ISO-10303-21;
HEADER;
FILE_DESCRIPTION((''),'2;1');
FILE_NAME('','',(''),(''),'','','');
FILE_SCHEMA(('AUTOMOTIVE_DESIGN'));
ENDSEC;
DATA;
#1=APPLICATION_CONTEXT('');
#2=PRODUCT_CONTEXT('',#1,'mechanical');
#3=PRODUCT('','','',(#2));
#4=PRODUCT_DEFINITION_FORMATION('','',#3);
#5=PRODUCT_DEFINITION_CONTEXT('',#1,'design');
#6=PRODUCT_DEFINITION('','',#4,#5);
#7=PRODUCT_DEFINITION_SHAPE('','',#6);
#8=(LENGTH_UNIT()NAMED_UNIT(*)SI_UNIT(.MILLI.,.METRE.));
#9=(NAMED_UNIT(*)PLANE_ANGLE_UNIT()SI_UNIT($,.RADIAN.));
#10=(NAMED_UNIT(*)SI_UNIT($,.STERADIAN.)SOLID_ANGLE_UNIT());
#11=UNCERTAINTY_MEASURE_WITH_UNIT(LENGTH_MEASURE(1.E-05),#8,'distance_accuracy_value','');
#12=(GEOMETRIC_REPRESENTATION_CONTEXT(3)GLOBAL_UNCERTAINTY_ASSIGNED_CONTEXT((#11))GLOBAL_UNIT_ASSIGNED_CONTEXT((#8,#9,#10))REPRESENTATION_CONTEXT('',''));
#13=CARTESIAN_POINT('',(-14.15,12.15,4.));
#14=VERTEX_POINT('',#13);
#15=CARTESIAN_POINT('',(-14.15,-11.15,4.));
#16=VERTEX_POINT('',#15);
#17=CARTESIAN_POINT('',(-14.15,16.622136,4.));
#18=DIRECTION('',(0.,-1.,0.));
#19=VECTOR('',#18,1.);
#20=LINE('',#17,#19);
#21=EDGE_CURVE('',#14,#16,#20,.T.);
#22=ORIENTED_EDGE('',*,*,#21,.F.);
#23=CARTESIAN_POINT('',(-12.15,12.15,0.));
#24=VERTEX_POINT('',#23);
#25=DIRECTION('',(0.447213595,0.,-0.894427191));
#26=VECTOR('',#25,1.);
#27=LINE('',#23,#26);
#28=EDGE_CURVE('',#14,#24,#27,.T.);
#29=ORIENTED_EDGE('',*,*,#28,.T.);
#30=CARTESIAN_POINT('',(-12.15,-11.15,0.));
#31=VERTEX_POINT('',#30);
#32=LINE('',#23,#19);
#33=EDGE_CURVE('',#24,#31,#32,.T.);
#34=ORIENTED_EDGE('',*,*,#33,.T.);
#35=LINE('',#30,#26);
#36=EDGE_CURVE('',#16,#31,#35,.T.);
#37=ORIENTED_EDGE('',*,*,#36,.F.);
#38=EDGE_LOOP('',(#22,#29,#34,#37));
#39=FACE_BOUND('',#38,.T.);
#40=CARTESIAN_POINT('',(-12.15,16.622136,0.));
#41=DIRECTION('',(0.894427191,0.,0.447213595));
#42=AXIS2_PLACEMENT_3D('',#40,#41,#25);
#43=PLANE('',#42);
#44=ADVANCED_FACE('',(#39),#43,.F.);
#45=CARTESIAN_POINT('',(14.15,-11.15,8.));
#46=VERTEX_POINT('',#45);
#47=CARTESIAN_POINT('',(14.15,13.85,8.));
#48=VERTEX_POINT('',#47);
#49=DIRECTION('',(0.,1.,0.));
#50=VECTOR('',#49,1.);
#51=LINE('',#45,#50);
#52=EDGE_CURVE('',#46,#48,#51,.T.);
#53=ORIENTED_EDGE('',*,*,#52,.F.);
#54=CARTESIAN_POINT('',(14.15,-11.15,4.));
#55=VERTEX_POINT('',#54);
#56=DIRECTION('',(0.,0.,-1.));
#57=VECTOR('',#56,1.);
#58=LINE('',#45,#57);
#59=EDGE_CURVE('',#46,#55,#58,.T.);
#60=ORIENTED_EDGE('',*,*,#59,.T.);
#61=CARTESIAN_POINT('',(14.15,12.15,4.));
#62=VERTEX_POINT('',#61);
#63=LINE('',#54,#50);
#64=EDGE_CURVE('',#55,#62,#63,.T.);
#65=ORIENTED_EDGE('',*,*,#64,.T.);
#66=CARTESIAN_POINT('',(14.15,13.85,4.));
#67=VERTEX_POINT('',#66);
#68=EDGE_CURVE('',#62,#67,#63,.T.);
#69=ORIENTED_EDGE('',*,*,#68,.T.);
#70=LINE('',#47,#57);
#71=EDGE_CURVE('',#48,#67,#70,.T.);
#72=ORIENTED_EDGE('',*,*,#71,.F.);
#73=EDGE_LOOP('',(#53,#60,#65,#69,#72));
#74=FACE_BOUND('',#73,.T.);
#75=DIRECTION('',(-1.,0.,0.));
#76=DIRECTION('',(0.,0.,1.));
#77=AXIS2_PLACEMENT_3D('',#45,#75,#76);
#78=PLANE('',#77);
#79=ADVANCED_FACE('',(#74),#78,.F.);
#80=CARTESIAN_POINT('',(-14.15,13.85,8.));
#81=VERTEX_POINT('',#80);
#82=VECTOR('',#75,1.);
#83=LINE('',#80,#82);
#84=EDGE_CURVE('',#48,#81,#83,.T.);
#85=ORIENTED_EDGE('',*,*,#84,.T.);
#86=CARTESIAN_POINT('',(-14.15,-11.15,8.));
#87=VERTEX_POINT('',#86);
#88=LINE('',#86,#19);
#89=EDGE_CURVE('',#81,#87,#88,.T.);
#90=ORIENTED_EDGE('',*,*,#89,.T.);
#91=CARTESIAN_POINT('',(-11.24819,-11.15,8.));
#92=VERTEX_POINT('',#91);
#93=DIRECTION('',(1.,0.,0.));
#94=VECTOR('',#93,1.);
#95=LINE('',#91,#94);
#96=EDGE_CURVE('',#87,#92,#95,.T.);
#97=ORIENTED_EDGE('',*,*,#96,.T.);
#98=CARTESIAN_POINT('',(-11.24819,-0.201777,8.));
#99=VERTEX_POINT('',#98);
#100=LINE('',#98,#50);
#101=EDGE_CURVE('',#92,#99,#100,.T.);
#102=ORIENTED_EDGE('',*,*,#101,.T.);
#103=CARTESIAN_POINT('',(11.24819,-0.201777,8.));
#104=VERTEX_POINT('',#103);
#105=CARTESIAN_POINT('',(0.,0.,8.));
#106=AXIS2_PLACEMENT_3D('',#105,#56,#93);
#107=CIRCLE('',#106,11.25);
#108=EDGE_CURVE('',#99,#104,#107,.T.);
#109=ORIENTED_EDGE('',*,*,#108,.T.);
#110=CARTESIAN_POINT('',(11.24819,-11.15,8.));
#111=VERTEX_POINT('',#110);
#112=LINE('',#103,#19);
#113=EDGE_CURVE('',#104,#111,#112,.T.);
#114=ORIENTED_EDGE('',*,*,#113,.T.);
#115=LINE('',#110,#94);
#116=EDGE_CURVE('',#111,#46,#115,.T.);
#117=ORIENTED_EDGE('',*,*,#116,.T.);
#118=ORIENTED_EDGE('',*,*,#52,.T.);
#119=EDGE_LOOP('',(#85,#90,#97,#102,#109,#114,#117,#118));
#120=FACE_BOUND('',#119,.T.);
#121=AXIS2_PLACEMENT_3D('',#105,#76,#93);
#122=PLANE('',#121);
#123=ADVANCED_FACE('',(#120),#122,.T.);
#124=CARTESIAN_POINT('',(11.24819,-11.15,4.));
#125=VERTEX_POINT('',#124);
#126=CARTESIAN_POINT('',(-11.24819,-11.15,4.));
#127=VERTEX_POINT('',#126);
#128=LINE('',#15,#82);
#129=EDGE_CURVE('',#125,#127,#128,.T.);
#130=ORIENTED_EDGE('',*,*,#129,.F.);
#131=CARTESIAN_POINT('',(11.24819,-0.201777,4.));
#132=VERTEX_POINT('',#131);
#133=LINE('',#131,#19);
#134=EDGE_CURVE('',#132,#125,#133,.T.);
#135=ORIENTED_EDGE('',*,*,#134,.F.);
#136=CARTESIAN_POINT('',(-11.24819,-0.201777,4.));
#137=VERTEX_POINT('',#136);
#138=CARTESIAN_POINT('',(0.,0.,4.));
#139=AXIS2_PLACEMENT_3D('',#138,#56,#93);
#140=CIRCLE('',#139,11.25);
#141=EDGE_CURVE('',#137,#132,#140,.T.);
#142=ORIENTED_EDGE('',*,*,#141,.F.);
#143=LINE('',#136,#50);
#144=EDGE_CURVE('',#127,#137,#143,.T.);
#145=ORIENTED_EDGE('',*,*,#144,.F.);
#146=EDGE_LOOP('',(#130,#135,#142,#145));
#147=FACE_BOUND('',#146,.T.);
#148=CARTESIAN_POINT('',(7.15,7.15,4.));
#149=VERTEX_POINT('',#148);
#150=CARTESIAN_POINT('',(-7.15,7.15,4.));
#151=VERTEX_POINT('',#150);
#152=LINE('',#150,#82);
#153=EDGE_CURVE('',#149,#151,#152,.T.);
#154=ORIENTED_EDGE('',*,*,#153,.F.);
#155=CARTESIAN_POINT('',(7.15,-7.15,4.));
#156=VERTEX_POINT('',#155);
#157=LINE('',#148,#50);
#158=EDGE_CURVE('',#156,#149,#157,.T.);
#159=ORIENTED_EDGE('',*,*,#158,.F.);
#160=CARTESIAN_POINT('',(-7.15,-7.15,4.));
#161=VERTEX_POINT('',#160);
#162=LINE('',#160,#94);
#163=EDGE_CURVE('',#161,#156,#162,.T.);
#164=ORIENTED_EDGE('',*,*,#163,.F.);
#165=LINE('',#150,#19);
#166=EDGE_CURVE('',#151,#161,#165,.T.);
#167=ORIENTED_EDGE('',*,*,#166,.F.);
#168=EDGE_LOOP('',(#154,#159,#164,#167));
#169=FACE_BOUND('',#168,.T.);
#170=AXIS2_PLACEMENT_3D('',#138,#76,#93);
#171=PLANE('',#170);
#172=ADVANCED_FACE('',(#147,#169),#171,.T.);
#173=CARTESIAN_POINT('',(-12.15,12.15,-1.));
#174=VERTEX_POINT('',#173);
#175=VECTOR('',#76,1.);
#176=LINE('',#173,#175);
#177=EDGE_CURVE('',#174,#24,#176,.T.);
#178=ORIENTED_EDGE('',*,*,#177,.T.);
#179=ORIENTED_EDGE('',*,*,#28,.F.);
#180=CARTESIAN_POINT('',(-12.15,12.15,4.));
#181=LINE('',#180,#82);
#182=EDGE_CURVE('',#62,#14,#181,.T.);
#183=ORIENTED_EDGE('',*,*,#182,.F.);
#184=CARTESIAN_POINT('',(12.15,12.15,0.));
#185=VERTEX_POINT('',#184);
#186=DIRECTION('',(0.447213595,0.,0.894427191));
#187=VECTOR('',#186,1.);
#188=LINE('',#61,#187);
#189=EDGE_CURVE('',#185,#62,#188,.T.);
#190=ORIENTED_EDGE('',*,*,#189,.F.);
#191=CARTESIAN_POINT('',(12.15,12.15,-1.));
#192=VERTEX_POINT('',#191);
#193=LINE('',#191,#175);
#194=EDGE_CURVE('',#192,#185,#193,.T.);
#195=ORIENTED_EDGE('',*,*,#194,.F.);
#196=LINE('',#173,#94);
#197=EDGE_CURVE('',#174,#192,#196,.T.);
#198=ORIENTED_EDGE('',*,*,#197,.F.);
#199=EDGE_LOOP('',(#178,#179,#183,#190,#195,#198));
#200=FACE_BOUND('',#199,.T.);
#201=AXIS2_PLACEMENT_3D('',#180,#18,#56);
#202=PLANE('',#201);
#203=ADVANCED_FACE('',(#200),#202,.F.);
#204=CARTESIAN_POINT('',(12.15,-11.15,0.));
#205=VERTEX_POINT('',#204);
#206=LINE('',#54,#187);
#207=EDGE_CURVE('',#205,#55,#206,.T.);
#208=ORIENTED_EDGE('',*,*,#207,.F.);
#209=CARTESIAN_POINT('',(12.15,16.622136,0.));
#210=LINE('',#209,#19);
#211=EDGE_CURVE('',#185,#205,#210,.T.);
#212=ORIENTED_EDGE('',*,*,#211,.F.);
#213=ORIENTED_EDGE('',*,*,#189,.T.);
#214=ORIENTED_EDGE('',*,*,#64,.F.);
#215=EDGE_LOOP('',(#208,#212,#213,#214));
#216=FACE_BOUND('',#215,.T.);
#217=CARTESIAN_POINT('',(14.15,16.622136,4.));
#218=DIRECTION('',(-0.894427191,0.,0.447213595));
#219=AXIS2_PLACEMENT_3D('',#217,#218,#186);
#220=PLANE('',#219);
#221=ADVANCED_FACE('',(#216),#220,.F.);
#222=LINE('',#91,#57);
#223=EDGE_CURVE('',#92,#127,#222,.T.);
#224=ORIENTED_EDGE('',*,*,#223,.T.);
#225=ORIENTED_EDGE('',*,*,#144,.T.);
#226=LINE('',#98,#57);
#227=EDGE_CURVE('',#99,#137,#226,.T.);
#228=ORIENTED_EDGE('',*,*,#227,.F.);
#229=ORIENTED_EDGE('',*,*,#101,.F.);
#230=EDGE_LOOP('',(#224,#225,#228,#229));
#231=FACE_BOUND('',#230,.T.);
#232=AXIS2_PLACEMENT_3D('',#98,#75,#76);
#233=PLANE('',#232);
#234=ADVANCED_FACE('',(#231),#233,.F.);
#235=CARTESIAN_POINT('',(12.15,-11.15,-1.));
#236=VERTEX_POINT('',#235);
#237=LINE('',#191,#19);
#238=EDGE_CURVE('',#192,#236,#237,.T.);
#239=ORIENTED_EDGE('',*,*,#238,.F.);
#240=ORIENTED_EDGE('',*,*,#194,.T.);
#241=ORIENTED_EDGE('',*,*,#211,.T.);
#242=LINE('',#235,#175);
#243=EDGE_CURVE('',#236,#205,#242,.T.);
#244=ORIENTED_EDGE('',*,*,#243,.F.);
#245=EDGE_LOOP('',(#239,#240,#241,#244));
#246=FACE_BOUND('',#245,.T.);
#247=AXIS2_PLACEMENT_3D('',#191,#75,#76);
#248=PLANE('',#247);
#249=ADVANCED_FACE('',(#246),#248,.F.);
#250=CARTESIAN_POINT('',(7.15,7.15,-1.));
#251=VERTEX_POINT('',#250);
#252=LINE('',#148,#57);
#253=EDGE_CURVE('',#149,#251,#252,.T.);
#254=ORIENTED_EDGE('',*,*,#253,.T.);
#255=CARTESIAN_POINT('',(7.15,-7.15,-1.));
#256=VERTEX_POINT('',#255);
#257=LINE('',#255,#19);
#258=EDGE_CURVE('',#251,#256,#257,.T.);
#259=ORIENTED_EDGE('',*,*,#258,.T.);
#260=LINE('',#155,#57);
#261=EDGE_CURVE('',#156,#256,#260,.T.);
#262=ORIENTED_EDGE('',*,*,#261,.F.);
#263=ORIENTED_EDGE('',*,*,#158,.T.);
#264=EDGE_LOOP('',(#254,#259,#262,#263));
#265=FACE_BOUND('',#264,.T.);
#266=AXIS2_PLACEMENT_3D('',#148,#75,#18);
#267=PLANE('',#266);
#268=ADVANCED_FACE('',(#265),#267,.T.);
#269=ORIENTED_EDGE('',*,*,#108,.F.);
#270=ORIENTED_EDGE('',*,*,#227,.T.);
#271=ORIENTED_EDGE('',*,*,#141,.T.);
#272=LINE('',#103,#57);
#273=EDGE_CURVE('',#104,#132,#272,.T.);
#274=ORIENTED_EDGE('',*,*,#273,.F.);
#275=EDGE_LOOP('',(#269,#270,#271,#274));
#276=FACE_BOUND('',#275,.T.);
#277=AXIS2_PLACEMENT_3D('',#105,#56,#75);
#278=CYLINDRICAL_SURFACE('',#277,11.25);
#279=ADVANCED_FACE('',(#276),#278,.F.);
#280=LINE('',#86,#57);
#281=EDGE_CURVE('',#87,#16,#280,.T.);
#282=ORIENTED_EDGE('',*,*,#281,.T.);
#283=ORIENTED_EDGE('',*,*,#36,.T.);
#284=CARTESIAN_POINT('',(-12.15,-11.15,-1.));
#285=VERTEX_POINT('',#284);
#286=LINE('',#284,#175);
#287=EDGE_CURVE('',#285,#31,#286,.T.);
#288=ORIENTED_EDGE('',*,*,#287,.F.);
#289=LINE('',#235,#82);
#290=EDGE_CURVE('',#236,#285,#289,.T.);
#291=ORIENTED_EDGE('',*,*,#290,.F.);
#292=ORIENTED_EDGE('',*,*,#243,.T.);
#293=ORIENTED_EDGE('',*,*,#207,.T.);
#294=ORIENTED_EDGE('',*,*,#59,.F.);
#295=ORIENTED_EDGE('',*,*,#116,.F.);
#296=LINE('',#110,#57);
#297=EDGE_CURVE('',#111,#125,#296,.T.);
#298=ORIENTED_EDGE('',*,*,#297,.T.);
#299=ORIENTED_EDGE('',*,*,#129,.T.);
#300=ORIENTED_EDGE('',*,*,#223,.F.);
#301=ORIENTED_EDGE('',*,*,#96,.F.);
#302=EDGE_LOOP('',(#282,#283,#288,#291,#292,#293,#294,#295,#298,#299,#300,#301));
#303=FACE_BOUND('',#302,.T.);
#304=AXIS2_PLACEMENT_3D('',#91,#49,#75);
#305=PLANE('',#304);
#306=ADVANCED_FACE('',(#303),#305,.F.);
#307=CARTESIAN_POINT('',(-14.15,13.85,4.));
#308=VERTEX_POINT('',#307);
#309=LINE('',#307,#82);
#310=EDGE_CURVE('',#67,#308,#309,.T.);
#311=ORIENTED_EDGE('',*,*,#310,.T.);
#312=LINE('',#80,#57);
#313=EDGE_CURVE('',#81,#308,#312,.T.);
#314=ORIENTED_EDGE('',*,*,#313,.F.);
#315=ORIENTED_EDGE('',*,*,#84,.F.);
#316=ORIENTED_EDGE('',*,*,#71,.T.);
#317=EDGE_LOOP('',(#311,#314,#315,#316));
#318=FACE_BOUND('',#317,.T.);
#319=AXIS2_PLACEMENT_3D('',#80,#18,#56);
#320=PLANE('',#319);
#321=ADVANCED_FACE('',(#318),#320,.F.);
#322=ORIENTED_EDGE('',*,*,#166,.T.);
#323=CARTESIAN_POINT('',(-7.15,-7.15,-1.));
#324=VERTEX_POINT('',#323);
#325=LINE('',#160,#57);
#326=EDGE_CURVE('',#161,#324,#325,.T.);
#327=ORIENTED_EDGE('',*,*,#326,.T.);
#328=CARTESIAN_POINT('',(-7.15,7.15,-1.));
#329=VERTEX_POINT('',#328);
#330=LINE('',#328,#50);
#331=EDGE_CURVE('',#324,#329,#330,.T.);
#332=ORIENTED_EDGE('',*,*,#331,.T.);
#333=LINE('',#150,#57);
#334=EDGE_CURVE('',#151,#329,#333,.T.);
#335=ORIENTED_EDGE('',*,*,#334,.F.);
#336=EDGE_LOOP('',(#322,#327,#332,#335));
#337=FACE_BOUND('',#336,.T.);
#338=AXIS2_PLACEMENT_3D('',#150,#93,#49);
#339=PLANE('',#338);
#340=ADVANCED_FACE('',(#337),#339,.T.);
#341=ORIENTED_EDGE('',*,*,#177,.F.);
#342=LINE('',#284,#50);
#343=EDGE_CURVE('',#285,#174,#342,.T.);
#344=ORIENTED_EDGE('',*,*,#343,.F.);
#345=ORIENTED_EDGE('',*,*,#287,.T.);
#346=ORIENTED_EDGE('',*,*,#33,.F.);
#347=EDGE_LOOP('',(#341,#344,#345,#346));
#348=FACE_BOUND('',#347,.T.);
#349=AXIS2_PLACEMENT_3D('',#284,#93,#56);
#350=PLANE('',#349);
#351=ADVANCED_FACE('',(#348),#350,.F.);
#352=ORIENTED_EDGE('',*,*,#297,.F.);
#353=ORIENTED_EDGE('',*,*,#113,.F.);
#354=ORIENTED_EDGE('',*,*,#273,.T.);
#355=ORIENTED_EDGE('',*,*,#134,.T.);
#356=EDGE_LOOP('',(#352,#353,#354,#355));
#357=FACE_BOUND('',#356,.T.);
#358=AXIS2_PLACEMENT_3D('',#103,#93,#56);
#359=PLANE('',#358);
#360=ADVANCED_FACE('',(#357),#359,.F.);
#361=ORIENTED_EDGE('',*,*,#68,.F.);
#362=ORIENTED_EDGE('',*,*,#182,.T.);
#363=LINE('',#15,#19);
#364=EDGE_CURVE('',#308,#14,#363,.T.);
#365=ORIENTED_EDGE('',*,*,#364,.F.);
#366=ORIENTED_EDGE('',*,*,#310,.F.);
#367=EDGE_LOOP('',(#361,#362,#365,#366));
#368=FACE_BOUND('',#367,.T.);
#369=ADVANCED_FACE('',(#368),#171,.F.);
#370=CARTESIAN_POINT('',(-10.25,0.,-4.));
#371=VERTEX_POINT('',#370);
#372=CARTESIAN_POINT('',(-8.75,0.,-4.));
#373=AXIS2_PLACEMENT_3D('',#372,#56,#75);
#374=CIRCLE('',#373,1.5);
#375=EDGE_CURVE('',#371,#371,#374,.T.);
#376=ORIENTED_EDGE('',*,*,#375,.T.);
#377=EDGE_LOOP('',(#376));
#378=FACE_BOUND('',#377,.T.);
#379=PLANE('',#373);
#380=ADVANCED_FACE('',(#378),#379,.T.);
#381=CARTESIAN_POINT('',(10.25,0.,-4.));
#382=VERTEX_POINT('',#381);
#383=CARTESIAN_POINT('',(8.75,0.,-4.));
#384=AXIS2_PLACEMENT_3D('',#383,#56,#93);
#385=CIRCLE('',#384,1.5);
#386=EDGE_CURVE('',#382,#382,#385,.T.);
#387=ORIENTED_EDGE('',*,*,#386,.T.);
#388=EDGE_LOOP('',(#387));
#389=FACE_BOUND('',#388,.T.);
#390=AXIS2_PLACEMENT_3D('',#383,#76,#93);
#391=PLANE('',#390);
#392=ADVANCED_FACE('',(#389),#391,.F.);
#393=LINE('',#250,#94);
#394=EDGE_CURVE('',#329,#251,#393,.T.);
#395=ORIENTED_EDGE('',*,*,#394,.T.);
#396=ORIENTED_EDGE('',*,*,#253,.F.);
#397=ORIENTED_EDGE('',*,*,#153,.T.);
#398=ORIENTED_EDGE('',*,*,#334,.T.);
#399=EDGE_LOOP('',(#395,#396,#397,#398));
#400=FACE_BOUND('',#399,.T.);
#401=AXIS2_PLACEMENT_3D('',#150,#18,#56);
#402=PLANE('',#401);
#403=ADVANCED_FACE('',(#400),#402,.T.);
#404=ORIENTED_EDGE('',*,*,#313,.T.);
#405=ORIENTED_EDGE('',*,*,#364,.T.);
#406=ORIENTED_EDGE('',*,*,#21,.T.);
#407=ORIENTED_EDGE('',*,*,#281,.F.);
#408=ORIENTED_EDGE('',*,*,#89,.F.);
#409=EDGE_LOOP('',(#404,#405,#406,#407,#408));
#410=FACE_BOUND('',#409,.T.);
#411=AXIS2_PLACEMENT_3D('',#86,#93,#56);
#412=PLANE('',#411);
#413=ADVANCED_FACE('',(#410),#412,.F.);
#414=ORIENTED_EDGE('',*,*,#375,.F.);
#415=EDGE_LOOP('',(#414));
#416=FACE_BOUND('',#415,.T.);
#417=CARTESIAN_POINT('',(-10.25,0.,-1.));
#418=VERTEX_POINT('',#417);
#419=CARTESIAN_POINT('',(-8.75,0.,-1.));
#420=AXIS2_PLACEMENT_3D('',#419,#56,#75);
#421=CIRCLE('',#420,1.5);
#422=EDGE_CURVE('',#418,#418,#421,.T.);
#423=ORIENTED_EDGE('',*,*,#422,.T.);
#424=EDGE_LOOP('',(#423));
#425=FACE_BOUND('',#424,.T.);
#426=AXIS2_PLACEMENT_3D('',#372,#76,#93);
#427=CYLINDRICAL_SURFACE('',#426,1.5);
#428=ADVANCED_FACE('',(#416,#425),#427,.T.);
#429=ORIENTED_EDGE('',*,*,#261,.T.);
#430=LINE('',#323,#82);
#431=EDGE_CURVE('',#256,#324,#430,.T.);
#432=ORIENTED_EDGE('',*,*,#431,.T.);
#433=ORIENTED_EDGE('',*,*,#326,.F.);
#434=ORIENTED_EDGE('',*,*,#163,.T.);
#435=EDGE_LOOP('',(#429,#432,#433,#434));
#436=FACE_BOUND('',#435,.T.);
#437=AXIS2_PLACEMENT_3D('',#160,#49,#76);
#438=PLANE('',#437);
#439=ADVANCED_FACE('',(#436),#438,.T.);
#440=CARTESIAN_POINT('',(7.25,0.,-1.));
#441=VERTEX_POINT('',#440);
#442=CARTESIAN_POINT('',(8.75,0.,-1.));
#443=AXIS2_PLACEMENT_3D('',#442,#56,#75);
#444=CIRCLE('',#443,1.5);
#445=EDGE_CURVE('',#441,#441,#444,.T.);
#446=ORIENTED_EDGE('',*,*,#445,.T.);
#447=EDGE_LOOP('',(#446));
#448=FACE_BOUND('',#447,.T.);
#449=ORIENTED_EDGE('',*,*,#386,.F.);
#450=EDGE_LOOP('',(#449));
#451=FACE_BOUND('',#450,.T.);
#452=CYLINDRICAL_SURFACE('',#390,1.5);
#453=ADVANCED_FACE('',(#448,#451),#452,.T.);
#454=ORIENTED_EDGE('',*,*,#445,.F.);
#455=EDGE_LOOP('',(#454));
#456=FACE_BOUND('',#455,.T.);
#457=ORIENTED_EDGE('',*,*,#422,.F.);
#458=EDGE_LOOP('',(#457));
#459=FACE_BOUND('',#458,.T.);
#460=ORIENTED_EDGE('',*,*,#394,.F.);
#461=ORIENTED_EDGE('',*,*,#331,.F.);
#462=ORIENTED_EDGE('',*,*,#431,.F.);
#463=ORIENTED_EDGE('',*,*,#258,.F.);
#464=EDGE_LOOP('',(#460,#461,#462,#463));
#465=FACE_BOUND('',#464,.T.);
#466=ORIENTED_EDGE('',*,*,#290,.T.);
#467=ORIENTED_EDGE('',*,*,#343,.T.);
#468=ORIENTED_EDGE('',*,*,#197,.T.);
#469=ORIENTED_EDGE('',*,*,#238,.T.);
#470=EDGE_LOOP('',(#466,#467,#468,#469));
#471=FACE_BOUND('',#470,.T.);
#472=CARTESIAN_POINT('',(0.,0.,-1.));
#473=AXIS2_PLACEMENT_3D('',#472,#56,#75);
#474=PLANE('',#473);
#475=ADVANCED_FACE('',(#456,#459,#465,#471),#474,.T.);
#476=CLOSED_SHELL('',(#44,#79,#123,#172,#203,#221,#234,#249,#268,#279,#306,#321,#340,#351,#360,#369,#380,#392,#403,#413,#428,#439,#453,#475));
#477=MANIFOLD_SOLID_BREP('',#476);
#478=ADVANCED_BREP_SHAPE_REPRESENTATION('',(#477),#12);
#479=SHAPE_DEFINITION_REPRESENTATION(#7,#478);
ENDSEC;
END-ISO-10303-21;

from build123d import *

# Parameters (mm, degrees)
SKETCH1_W                       = 24.3
SKETCH1_H                       = 24.3
SKETCH1_W_2                     = 14.3
SKETCH1_H_2                     = 14.3
BOSS_EXTRUDE1_DEPTH             = 4
SKETCH3_R                       = 1.5
BOSS_EXTRUDE4_DEPTH             = 4
BOSS_EXTRUDE5_DEPTH             = 4
BOSS_EXTRUDE6_REACH             = 23.355
BOSS_EXTRUDE6_DIRECTION_2_REACH = 23.355
CUT_EXTRUDE1_DEPTH              = 11
SKETCH7_W                       = 24.3
SKETCH7_H                       = 23.3
SKETCH7_W_2                     = 14.3
SKETCH7_H_2                     = 14.3
BOSS_EXTRUDE8_DEPTH             = 1


with BuildPart() as part:
    # Sketch1 → Boss-Extrude1 (new body)
    with BuildSketch(Plane.XY):
        Rectangle(SKETCH1_W, SKETCH1_H)
        Rectangle(SKETCH1_W_2, SKETCH1_H_2, mode=Mode.SUBTRACT)
    extrude(amount=BOSS_EXTRUDE1_DEPTH)

    # Sketch3 → Boss-Extrude4 (add)
    with BuildSketch(Plane(origin=(0, 0, 0), x_dir=(-1, 0, 0), z_dir=(0, 0, -1))):
        with Locations(Location((8.75, 0, 0), (0, 0, 180))):
            Circle(SKETCH3_R)
        with Locations(Location((-8.75, 0, 0), (0, 0, 180))):
            Circle(SKETCH3_R)
    extrude(amount=BOSS_EXTRUDE4_DEPTH)

    # Sketch4 → Boss-Extrude5 (add)
    with BuildSketch(Plane.XY.offset(4)):
        with BuildLine():
            Line((11.248190336, -0.201777492), (11.248190336, -11.15))
            Line((11.248190336, -11.15), (14.15, -11.15))
            Line((14.15, -11.15), (14.15, 13.85))
            Line((14.15, 13.85), (-14.15, 13.85))
            Line((-14.15, 13.85), (-14.15, -11.15))
            Line((-14.15, -11.15), (-11.248190336, -11.15))
            Line((-11.248190336, -11.15), (-11.248190336, -0.201777492))
            ThreePointArc((-11.248190336, -0.201777492), (0, 11.25), (11.248190336, -0.201777492))
        make_face()
    extrude(amount=BOSS_EXTRUDE5_DEPTH)

    # Boss-Extrude6: up to this face of the body (flat: up to its plane)
    boss_extrude6_end = Plane(part.part.faces().sort_by_distance((0, 12.15, 2))[0])
    # Sketch5 → Boss-Extrude6 (add, up to the picked face)
    with BuildSketch(Plane(origin=(0, 0, 0), x_dir=(1, 0, 0), z_dir=(0, 1, 0)), mode=Mode.PRIVATE) as boss_extrude6_sk1:
        Polygon((-12.15, 0), (-14.15, -4), (-12.15, -4), align=None)
    boss_extrude6_tool1 = split(extrude(boss_extrude6_sk1.sketch, amount=BOSS_EXTRUDE6_REACH, mode=Mode.PRIVATE), bisect_by=boss_extrude6_end, keep=Keep.BOTH, mode=Mode.PRIVATE)
    # Sketch5 → Boss-Extrude6 (add, up to the picked face)
    with BuildSketch(Plane(origin=(0, 0, 0), x_dir=(1, 0, 0), z_dir=(0, 1, 0)), mode=Mode.PRIVATE) as boss_extrude6_sk2:
        Polygon((12.15, 0), (12.15, -4), (14.15, -4), align=None)
    boss_extrude6_tool2 = split(extrude(boss_extrude6_sk2.sketch, amount=BOSS_EXTRUDE6_REACH, mode=Mode.PRIVATE), bisect_by=boss_extrude6_end, keep=Keep.BOTH, mode=Mode.PRIVATE)
    add(boss_extrude6_tool1.solids().sort_by(Axis((-12.816667, 0, 2.666667), (0, 1, 0)))[0])
    add(boss_extrude6_tool2.solids().sort_by(Axis((12.816667, 0, 2.666667), (0, 1, 0)))[0])

    # Boss-Extrude6 direction 2: up to this face of the body (flat: up to its plane)
    boss_extrude6_direction_2_end = Plane(part.part.faces().sort_by_distance((12.699095168, -11.15, 6))[0])
    # Sketch5 → Boss-Extrude6 direction 2 (add, up to the picked face)
    with BuildSketch(Plane(origin=(0, 0, 0), x_dir=(1, 0, 0), z_dir=(0, 1, 0)), mode=Mode.PRIVATE) as boss_extrude6_direction_2_sk1:
        Polygon((-12.15, 0), (-14.15, -4), (-12.15, -4), align=None)
    boss_extrude6_direction_2_tool1 = split(extrude(boss_extrude6_direction_2_sk1.sketch, amount=-BOSS_EXTRUDE6_DIRECTION_2_REACH, mode=Mode.PRIVATE), bisect_by=boss_extrude6_direction_2_end, keep=Keep.BOTH, mode=Mode.PRIVATE)
    # Sketch5 → Boss-Extrude6 direction 2 (add, up to the picked face)
    with BuildSketch(Plane(origin=(0, 0, 0), x_dir=(1, 0, 0), z_dir=(0, 1, 0)), mode=Mode.PRIVATE) as boss_extrude6_direction_2_sk2:
        Polygon((12.15, 0), (12.15, -4), (14.15, -4), align=None)
    boss_extrude6_direction_2_tool2 = split(extrude(boss_extrude6_direction_2_sk2.sketch, amount=-BOSS_EXTRUDE6_DIRECTION_2_REACH, mode=Mode.PRIVATE), bisect_by=boss_extrude6_direction_2_end, keep=Keep.BOTH, mode=Mode.PRIVATE)
    add(boss_extrude6_direction_2_tool1.solids().sort_by(Axis((-12.816667, 0, 2.666667), (0, -1, 0)))[0])
    add(boss_extrude6_direction_2_tool2.solids().sort_by(Axis((12.816667, 0, 2.666667), (0, -1, 0)))[0])

    # Sketch6 → Cut-Extrude1 (cut)
    with BuildSketch(Plane.XY.offset(4)):
        Polygon((-14.15, -11.15), (-17.465023318, -11.15), (-17.465023318, -14.474968539), (16.848397365, -14.474968539), (16.848397365, -10.738940706), (14.15, -11.15), align=None)
    extrude(amount=-CUT_EXTRUDE1_DEPTH, mode=Mode.SUBTRACT)

    # Sketch7 → Boss-Extrude8 (add)
    with BuildSketch(Plane(origin=(0, 0, 0), x_dir=(-1, 0, 0), z_dir=(0, 0, -1))):
        with Locations((0, 0.5)):
            Rectangle(SKETCH7_W, SKETCH7_H)
        Rectangle(SKETCH7_W_2, SKETCH7_H_2, mode=Mode.SUBTRACT)
    extrude(amount=BOSS_EXTRUDE8_DEPTH)


solid = part.part
